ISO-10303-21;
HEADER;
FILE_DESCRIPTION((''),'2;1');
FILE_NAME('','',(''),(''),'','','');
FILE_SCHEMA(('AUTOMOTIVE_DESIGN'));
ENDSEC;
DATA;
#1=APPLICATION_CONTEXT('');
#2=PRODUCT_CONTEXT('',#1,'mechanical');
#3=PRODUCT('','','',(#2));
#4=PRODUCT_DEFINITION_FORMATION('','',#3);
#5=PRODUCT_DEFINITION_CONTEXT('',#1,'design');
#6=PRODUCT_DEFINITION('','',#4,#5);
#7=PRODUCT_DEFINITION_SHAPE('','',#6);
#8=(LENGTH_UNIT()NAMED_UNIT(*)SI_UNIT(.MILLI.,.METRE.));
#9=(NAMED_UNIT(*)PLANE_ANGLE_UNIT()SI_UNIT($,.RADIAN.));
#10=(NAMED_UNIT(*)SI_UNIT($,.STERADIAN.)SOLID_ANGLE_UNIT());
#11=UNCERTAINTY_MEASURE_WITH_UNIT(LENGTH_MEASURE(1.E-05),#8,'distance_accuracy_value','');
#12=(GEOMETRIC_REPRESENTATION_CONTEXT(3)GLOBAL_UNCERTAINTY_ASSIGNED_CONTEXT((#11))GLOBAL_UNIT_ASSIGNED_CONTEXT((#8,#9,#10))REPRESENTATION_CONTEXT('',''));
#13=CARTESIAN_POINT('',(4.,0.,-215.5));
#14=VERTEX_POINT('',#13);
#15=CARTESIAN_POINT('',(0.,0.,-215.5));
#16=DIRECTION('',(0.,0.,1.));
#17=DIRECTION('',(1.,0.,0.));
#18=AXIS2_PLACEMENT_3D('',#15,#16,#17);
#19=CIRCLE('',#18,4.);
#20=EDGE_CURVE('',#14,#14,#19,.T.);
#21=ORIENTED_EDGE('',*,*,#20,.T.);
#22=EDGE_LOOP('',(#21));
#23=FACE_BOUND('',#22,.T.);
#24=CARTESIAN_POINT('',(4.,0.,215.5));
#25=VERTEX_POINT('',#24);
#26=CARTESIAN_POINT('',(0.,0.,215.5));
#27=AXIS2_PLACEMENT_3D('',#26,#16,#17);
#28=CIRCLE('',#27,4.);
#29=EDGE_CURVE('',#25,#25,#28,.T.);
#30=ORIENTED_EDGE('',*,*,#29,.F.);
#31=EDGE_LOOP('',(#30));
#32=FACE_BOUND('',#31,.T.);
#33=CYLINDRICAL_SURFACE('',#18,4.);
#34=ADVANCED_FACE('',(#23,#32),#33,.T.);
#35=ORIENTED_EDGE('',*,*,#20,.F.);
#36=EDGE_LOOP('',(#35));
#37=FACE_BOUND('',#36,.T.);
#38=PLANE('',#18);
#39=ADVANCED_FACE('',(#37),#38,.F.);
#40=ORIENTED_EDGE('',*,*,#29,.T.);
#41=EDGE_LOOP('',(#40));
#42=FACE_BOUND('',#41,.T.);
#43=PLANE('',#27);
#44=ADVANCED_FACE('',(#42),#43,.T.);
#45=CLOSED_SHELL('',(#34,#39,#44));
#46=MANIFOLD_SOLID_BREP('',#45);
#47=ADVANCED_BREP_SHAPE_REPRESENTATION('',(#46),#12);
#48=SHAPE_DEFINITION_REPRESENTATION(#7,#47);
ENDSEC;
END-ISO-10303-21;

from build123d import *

# Parameters (mm, degrees)
EXTRUDE2_DEPTH      = 215.5
EXTRUDE2_DEPTH_BACK = 215.5
SKETCH1_R           = 4


with BuildPart() as part:
    # Sketch1 → Extrude2 (new, two sides: drawn at the far end of the back side and taken through both)
    with BuildSketch(Plane.XY.offset(-EXTRUDE2_DEPTH_BACK)):
        Circle(SKETCH1_R)
    extrude(amount=EXTRUDE2_DEPTH + EXTRUDE2_DEPTH_BACK)


solid = part.part
